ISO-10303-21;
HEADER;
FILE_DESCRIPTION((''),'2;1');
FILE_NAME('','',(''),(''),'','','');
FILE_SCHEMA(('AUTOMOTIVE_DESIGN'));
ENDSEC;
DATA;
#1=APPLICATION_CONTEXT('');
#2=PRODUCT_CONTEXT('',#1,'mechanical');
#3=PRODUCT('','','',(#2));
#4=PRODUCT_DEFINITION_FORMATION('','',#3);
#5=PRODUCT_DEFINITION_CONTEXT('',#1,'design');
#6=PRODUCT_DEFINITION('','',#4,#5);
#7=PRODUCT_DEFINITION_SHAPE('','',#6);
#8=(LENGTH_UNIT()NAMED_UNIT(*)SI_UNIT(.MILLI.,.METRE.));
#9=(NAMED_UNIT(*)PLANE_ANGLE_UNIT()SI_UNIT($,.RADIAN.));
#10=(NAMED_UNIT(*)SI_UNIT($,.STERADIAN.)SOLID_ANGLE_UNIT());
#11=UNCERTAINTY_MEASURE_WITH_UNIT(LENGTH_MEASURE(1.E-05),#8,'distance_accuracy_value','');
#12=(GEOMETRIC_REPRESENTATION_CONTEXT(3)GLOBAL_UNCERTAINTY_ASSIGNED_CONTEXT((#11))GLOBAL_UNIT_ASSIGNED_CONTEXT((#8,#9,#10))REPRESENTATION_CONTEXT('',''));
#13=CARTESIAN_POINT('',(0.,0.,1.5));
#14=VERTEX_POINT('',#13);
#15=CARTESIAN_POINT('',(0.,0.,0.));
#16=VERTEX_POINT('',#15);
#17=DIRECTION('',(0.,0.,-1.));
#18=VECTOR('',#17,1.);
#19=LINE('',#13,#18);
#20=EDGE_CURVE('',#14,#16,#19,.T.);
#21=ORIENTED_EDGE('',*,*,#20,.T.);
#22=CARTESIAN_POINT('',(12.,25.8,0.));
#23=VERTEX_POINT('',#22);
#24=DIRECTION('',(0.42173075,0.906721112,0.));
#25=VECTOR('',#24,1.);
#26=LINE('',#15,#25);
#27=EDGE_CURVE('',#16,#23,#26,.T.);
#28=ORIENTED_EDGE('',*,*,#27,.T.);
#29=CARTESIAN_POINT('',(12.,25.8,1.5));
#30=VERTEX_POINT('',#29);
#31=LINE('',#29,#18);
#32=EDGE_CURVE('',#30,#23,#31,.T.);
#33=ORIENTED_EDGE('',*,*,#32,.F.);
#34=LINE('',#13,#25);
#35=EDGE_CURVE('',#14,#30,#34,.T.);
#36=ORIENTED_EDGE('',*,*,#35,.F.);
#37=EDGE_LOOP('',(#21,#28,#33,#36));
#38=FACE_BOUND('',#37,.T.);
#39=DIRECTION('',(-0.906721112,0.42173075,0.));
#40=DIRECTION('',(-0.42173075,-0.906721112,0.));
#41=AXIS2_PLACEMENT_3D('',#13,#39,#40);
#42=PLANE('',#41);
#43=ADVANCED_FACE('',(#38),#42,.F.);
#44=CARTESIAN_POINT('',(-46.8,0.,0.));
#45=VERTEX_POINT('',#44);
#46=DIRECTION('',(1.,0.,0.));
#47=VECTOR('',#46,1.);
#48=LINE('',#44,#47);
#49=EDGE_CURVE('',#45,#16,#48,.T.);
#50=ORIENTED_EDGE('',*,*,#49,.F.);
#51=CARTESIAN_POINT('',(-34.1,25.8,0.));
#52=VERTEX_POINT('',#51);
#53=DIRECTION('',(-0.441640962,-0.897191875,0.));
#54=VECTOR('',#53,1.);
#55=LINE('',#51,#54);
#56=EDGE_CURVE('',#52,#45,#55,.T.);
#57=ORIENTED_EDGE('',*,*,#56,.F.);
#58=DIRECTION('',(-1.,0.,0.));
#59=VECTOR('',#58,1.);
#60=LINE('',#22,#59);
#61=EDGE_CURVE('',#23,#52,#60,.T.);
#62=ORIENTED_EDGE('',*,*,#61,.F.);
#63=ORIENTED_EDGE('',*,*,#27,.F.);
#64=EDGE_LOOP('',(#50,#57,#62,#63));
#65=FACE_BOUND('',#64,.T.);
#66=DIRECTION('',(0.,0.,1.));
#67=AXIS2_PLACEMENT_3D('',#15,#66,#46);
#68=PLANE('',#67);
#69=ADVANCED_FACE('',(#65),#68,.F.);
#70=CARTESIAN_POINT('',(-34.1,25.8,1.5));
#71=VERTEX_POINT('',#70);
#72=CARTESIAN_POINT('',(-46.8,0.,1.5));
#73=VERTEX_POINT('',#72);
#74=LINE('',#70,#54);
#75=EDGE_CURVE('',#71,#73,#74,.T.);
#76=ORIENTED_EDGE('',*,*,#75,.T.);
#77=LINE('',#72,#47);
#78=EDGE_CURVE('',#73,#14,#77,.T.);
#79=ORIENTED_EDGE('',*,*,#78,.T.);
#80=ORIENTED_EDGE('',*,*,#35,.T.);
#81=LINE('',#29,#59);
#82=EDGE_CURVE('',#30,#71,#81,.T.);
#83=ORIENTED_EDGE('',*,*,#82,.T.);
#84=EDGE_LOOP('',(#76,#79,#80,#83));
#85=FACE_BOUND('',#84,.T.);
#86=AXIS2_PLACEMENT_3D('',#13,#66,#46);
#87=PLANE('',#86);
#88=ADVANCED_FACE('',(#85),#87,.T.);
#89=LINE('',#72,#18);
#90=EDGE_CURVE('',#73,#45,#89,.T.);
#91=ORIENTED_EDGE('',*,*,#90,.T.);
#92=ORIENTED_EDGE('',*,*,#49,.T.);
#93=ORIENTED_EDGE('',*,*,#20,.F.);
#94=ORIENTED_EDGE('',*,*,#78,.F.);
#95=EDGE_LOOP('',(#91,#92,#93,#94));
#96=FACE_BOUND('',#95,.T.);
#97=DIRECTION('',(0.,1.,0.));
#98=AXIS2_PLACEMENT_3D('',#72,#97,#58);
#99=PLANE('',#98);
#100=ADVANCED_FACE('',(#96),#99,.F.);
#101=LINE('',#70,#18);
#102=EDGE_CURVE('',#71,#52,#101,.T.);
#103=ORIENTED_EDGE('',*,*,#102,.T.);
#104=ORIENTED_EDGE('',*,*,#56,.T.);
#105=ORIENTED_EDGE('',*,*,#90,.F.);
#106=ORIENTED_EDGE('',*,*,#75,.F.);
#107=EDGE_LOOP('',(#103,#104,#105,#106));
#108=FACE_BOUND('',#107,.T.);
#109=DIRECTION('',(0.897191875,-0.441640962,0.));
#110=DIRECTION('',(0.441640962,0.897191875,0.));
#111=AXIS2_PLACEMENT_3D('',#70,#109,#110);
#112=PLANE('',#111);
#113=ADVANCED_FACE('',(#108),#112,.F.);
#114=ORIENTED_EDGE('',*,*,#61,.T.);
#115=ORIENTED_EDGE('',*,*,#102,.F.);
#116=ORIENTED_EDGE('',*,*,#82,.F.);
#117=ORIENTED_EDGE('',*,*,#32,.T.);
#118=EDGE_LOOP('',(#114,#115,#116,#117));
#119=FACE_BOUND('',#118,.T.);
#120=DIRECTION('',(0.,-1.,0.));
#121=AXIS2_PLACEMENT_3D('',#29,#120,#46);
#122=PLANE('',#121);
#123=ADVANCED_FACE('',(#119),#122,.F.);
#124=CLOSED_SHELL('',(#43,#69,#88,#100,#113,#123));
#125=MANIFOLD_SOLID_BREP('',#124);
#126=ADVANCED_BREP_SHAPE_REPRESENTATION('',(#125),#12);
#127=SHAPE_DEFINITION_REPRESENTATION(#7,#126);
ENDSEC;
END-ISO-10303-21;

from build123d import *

# Parameters (mm, degrees)
BOSS_EXTRUDE1_DEPTH = 1.5


with BuildPart() as part:
    # Sketch1 → Boss-Extrude1 (new body)
    with BuildSketch(Plane.XY):
        Polygon((0, 0), (12, 25.8), (-34.1, 25.8), (-46.8, 0), align=None)
    extrude(amount=BOSS_EXTRUDE1_DEPTH)


solid = part.part
